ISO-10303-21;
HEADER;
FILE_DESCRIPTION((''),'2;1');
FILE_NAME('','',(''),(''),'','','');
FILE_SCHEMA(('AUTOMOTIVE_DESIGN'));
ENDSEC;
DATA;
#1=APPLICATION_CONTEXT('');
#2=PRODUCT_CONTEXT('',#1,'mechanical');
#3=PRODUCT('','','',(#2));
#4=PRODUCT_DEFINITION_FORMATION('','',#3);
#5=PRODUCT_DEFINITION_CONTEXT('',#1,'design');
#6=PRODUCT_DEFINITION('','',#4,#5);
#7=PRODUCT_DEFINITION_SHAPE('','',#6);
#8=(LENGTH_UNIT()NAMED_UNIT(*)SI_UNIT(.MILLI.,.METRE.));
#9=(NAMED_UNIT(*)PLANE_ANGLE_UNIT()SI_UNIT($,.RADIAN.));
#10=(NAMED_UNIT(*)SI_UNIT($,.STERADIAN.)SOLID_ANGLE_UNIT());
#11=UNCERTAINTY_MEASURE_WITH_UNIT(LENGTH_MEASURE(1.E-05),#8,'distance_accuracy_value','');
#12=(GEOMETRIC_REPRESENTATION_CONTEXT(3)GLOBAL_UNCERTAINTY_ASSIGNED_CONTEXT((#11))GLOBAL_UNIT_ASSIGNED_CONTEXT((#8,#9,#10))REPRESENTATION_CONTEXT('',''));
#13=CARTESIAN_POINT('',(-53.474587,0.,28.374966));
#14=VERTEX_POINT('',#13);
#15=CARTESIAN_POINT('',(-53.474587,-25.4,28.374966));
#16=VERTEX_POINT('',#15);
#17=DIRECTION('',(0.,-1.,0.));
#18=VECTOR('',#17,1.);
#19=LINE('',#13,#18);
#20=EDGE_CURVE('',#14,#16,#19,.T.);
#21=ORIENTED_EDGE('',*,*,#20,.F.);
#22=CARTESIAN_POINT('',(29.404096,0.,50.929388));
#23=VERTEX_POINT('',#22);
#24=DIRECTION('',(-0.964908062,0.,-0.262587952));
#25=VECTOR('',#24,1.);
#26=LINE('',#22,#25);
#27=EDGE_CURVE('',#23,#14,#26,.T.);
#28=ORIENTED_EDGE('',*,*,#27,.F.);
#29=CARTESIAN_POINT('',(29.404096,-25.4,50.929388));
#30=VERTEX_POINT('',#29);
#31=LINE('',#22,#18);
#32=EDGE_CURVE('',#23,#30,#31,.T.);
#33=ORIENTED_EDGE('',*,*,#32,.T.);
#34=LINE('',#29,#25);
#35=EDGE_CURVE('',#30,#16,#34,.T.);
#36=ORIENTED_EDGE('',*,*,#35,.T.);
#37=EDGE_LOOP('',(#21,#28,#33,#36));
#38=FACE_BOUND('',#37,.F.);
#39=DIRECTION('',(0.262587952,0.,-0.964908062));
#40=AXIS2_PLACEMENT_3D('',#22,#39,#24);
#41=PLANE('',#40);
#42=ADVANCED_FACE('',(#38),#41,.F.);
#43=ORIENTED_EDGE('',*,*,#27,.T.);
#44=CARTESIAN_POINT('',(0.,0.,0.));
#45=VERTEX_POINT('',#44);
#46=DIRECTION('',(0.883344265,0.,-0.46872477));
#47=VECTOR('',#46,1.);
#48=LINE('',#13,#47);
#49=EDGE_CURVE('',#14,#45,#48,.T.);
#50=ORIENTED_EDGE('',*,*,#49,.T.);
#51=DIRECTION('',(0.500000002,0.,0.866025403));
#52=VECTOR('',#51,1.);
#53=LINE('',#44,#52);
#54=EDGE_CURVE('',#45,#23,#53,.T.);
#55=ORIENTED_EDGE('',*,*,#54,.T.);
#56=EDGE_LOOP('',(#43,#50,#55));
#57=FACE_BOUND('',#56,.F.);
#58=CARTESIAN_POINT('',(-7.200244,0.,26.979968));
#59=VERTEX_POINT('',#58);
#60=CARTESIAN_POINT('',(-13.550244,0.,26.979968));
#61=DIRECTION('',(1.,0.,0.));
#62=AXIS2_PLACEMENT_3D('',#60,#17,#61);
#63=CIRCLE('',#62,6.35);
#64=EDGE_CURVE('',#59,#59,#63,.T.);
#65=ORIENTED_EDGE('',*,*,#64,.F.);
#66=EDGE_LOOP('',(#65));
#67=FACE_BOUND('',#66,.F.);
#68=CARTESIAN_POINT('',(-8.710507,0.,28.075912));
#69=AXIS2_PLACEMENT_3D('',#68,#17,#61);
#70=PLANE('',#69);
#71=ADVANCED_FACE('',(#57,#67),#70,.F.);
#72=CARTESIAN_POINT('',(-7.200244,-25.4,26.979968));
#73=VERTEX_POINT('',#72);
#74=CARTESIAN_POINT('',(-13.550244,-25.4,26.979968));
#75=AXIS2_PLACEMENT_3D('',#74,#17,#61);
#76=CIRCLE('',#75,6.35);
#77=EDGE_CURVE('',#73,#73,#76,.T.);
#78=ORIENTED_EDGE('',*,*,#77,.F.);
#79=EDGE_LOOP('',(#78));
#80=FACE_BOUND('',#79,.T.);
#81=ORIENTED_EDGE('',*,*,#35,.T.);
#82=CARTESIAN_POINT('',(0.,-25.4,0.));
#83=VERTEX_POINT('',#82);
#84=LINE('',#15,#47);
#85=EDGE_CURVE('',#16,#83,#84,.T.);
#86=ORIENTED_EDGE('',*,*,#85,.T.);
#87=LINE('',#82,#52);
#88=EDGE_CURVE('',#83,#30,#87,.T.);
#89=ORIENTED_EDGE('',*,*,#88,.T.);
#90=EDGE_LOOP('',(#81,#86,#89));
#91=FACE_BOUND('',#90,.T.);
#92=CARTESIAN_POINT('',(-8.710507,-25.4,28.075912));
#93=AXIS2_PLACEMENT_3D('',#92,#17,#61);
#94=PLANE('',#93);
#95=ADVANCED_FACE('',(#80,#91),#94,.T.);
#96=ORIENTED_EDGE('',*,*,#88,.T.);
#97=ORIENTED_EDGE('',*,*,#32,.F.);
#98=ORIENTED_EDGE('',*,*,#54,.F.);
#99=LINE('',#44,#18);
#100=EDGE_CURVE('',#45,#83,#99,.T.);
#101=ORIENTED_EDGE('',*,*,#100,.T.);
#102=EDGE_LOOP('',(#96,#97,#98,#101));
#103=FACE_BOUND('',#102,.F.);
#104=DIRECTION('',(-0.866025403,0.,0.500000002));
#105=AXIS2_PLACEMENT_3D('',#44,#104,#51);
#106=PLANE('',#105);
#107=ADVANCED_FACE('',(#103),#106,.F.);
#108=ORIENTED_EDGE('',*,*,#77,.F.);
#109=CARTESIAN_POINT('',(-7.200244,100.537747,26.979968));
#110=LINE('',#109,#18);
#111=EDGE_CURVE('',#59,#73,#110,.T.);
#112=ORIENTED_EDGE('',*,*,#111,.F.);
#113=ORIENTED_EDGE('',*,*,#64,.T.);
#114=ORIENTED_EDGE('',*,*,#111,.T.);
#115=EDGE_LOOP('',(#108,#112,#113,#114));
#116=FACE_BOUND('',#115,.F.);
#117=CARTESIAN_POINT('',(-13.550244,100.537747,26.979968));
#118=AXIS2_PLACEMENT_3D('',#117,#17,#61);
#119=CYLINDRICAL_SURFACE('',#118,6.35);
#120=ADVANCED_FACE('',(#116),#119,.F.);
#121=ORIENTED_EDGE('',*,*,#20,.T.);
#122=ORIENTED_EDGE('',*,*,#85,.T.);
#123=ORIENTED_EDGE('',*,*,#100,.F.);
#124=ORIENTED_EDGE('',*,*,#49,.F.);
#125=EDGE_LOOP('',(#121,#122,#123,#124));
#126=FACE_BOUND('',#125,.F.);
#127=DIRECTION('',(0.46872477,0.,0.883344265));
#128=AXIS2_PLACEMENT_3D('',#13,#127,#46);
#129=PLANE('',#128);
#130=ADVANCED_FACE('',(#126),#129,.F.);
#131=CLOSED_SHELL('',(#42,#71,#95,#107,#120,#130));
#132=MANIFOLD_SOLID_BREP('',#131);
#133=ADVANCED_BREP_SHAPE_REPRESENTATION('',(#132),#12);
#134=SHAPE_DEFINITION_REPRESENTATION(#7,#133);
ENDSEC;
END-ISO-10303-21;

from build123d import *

# Parameters (mm, degrees)
F1_DEPTH = 25.4
F3_D     = 12.7


with BuildPart() as f1:
    # F0 (on Front) → F1 (new body)
    with BuildSketch(Plane.XZ):
        Polygon((-53.474587, 28.374966), (0, 0), (29.404096, 50.929388), align=None)
    extrude(amount=F1_DEPTH)

    # F3 (through all)
    with Locations(Plane(origin=(0, 0, 0), x_dir=(-1, 0, 0), z_dir=(0, 1, 0))):
        with Locations((13.550244, 26.979968)):
            Hole(F3_D / 2)


solid = f1.part
